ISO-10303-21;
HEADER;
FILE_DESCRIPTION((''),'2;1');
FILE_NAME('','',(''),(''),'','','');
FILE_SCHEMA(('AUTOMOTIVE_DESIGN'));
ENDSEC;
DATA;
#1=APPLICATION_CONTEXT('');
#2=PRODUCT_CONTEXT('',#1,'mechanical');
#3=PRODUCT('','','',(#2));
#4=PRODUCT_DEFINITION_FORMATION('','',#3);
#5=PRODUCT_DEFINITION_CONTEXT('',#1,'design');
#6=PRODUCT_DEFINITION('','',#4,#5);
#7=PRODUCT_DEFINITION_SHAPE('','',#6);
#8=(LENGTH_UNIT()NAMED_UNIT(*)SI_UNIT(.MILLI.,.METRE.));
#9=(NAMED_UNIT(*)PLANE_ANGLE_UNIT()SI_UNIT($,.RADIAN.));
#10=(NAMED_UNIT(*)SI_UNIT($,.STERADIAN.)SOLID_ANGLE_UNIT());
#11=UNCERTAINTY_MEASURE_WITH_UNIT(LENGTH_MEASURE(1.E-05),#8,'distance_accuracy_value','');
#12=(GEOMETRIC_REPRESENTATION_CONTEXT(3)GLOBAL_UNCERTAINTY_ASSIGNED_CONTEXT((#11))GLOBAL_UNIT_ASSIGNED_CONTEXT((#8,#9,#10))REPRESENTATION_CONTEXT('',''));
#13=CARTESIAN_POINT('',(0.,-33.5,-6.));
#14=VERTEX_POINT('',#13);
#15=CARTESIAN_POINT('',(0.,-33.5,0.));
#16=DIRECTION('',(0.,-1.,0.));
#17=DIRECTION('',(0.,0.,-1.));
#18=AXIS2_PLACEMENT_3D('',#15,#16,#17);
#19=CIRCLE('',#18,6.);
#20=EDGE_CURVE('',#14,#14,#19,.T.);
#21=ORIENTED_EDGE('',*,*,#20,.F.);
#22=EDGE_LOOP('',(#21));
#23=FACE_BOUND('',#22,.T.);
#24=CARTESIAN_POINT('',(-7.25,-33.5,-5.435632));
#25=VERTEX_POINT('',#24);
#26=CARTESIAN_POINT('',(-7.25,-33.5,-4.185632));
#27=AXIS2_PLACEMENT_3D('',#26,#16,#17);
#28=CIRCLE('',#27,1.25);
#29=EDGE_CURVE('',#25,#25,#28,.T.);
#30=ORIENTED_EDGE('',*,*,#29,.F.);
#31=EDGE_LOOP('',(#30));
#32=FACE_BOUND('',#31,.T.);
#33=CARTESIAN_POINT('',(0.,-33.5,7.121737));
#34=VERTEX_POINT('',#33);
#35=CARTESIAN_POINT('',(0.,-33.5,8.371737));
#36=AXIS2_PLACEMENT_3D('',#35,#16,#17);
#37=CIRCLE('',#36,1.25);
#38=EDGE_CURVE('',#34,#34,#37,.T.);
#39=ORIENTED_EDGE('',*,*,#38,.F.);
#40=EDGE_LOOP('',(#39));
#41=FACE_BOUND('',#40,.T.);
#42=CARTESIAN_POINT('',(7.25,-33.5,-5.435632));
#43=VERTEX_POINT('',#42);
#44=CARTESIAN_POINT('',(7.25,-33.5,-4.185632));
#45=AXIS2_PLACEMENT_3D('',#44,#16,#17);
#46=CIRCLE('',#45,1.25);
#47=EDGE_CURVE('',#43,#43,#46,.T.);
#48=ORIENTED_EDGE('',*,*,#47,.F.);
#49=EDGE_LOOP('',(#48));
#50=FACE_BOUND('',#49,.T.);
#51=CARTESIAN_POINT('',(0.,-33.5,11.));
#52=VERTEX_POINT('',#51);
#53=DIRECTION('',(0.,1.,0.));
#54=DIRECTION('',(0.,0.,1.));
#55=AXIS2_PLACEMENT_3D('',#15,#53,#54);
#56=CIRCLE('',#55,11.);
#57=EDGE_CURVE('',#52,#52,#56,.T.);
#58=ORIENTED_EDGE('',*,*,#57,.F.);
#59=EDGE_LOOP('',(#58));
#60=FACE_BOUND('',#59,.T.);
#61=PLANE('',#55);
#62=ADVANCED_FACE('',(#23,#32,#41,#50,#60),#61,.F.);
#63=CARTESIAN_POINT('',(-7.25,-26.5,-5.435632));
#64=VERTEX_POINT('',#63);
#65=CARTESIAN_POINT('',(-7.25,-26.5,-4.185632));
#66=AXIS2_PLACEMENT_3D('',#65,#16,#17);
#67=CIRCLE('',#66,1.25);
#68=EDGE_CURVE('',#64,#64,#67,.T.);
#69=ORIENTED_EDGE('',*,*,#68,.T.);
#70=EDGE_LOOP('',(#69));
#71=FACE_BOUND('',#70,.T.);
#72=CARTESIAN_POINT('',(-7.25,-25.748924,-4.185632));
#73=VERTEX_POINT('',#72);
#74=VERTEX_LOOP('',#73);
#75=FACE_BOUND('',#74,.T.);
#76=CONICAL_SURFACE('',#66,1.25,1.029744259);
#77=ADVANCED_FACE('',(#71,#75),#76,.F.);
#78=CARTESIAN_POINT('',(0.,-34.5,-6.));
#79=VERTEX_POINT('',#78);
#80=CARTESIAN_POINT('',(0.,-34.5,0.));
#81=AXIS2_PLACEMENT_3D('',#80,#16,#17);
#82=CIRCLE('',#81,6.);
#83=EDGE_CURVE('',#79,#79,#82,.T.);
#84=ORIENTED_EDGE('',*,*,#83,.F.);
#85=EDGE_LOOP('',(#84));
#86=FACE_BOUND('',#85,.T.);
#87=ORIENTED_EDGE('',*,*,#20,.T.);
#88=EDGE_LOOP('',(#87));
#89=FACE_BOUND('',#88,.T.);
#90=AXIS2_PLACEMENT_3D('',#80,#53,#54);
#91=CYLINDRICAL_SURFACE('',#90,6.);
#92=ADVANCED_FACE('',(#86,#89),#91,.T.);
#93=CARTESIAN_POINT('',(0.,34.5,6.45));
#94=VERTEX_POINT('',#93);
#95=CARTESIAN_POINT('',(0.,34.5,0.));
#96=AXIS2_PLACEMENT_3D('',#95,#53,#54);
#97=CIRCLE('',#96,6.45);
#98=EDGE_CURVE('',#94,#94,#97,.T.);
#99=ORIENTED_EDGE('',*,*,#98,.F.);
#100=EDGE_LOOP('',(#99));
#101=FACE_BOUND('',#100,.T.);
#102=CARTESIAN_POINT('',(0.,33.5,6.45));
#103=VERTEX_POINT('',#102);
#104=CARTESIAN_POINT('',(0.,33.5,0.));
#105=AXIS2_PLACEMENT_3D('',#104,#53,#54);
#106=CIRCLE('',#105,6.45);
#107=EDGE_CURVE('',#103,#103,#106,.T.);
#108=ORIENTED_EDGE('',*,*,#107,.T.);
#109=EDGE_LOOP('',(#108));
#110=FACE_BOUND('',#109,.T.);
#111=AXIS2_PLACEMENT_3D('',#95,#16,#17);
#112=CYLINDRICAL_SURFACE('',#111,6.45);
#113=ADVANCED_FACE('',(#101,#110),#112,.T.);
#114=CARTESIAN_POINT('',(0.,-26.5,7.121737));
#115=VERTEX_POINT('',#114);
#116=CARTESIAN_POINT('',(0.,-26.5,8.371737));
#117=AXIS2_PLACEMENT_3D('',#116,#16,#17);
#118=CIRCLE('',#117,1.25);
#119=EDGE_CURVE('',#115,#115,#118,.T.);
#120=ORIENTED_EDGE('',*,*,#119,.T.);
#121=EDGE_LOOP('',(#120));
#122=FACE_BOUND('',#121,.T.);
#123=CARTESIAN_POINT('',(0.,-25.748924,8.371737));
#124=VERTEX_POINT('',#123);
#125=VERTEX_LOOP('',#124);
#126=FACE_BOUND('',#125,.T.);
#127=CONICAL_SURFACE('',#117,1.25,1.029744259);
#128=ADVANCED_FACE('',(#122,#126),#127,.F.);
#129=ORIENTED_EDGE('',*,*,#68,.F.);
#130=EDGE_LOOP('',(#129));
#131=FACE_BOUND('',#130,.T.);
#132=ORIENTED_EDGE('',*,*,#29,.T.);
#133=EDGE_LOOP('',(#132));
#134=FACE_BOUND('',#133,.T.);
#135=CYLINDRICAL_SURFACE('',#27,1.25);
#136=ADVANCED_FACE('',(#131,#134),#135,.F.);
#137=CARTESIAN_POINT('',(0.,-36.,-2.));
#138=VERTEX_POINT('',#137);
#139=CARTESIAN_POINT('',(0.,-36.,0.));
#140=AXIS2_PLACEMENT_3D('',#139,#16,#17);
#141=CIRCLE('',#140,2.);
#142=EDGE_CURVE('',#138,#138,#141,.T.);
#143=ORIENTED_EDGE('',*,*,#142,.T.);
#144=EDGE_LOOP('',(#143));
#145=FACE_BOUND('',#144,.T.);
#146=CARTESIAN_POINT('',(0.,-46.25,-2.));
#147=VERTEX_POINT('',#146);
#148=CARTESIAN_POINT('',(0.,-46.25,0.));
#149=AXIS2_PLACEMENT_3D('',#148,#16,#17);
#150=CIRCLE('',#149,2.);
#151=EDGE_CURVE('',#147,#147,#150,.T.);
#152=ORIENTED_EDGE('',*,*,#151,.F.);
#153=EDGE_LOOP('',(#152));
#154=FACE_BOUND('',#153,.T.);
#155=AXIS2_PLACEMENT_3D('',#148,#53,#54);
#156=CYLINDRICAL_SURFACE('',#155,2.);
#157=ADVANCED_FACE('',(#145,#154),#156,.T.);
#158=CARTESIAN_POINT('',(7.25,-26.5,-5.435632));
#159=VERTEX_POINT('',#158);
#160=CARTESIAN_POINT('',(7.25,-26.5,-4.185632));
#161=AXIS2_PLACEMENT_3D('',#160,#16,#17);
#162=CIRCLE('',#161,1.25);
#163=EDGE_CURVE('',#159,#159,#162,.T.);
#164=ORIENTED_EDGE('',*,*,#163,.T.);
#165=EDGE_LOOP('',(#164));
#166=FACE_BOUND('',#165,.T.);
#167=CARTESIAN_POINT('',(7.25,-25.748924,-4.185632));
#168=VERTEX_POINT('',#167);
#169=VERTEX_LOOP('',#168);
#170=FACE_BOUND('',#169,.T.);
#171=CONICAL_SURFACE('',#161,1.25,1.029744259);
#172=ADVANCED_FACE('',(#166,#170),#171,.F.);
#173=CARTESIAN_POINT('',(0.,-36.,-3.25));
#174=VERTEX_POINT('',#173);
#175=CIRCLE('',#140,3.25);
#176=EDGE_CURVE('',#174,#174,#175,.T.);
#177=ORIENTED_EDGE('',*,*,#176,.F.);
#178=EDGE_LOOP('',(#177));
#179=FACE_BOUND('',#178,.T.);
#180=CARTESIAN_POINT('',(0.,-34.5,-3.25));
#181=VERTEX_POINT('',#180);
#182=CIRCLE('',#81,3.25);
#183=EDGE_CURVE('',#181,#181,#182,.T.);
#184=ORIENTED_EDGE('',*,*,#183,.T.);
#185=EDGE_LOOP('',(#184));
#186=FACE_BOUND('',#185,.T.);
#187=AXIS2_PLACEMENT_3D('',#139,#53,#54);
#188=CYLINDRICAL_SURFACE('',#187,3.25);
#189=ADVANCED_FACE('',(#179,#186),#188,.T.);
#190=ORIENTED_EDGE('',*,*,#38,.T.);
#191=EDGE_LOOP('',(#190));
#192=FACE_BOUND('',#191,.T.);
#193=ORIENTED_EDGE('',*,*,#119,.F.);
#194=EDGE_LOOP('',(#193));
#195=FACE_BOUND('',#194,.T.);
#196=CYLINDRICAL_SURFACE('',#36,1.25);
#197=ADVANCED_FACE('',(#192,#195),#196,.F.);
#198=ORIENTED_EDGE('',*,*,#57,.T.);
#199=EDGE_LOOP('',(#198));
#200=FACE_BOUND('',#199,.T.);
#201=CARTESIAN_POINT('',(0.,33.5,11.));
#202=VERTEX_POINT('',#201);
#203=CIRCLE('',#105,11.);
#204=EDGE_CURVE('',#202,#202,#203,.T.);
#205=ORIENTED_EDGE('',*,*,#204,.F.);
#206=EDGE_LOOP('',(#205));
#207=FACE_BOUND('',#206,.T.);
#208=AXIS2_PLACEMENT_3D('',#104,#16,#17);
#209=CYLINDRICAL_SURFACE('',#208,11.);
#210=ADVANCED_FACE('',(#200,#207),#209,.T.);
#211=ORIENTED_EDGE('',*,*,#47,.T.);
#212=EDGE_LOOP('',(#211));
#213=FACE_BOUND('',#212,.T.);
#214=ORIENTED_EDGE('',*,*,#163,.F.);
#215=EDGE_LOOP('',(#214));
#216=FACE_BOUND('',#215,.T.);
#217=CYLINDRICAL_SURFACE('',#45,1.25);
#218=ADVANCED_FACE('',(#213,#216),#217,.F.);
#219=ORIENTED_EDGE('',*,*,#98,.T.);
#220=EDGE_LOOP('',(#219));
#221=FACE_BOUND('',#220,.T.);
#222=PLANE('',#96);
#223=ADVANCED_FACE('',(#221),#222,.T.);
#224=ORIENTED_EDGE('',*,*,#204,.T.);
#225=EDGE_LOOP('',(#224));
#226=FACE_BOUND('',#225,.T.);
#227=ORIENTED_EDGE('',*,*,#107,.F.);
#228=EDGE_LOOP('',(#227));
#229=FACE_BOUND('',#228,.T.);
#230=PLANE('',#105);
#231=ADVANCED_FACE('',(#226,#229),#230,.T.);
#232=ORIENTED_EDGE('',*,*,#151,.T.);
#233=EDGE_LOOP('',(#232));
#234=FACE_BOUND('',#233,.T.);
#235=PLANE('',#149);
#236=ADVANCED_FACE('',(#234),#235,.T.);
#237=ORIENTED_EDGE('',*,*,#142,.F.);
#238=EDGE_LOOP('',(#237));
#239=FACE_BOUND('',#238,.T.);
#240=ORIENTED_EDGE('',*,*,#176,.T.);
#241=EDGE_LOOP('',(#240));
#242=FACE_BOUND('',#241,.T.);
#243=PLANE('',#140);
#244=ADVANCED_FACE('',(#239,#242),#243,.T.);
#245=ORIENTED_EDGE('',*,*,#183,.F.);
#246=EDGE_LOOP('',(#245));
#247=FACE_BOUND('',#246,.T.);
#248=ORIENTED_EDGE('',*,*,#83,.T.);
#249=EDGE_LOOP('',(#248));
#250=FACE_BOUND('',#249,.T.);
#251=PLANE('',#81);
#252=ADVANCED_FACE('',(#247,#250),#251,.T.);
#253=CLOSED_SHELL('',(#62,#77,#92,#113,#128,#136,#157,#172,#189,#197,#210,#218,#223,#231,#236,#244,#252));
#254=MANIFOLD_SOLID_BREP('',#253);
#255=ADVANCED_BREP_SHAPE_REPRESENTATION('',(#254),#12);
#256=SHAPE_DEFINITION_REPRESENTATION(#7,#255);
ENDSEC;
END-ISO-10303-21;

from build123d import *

# Parameters (mm, degrees)
SKETCH1_R                 = 11
BOSS_EXTRUDE1_DEPTH       = 33.5
SKETCH2_R                 = 6.45
BOSS_EXTRUDE2_DEPTH       = 1
SKETCH3_R                 = 6
BOSS_EXTRUDE3_DEPTH       = 1
SKETCH4_R                 = 3.25
BOSS_EXTRUDE4_DEPTH       = 1.5
SKETCH5_R                 = 2
BOSS_EXTRUDE5_DEPTH       = 10.25
M3X0_5_TAPPED_HOLE1_D     = 2.5
M3X0_5_TAPPED_HOLE1_DEPTH = 7
M3X0_5_TAPPED_HOLE1_TIP   = 0.751075774


with BuildPart() as part:
    # Sketch1 → Boss-Extrude1 (new body, symmetric)
    with BuildSketch(Plane(origin=(0, 0, 0), x_dir=(1, 0, 0), z_dir=(0, 1, 0))):
        Circle(SKETCH1_R)
    extrude(amount=BOSS_EXTRUDE1_DEPTH, both=True)

    # Sketch2 → Boss-Extrude2 (add)
    with BuildSketch(Plane(origin=(0, 33.5, 0), x_dir=(1, 0, 0), z_dir=(0, 1, 0))):
        Circle(SKETCH2_R)
    extrude(amount=BOSS_EXTRUDE2_DEPTH)

    # Sketch3 → Boss-Extrude3 (add)
    with BuildSketch(Plane.XZ.offset(33.5)):
        Circle(SKETCH3_R)
    extrude(amount=BOSS_EXTRUDE3_DEPTH)

    # Sketch4 → Boss-Extrude4 (add)
    with BuildSketch(Plane.XZ.offset(34.5)):
        Circle(SKETCH4_R)
    extrude(amount=BOSS_EXTRUDE4_DEPTH)

    # Sketch5 → Boss-Extrude5 (add)
    with BuildSketch(Plane(origin=(0, -36, 0), x_dir=(-1, 0, 0), z_dir=(0, -1, 0))):
        Circle(SKETCH5_R)
    extrude(amount=BOSS_EXTRUDE5_DEPTH)

    # M3x0.5 Tapped Hole1
    with Locations(Plane(origin=(0, -33.5, 0), x_dir=(-1, 0, 0), z_dir=(0, -1, 0))):
        with Locations((-7.25, 4.185631643), (7.25, 4.185631643), (0, -8.371736712)):
            Hole(M3X0_5_TAPPED_HOLE1_D / 2, depth=M3X0_5_TAPPED_HOLE1_DEPTH)
            with Locations((0, 0, -(M3X0_5_TAPPED_HOLE1_DEPTH + M3X0_5_TAPPED_HOLE1_TIP / 2))):  # 118° drill point
                Cone(0, M3X0_5_TAPPED_HOLE1_D / 2, M3X0_5_TAPPED_HOLE1_TIP, mode=Mode.SUBTRACT)


solid = part.part
